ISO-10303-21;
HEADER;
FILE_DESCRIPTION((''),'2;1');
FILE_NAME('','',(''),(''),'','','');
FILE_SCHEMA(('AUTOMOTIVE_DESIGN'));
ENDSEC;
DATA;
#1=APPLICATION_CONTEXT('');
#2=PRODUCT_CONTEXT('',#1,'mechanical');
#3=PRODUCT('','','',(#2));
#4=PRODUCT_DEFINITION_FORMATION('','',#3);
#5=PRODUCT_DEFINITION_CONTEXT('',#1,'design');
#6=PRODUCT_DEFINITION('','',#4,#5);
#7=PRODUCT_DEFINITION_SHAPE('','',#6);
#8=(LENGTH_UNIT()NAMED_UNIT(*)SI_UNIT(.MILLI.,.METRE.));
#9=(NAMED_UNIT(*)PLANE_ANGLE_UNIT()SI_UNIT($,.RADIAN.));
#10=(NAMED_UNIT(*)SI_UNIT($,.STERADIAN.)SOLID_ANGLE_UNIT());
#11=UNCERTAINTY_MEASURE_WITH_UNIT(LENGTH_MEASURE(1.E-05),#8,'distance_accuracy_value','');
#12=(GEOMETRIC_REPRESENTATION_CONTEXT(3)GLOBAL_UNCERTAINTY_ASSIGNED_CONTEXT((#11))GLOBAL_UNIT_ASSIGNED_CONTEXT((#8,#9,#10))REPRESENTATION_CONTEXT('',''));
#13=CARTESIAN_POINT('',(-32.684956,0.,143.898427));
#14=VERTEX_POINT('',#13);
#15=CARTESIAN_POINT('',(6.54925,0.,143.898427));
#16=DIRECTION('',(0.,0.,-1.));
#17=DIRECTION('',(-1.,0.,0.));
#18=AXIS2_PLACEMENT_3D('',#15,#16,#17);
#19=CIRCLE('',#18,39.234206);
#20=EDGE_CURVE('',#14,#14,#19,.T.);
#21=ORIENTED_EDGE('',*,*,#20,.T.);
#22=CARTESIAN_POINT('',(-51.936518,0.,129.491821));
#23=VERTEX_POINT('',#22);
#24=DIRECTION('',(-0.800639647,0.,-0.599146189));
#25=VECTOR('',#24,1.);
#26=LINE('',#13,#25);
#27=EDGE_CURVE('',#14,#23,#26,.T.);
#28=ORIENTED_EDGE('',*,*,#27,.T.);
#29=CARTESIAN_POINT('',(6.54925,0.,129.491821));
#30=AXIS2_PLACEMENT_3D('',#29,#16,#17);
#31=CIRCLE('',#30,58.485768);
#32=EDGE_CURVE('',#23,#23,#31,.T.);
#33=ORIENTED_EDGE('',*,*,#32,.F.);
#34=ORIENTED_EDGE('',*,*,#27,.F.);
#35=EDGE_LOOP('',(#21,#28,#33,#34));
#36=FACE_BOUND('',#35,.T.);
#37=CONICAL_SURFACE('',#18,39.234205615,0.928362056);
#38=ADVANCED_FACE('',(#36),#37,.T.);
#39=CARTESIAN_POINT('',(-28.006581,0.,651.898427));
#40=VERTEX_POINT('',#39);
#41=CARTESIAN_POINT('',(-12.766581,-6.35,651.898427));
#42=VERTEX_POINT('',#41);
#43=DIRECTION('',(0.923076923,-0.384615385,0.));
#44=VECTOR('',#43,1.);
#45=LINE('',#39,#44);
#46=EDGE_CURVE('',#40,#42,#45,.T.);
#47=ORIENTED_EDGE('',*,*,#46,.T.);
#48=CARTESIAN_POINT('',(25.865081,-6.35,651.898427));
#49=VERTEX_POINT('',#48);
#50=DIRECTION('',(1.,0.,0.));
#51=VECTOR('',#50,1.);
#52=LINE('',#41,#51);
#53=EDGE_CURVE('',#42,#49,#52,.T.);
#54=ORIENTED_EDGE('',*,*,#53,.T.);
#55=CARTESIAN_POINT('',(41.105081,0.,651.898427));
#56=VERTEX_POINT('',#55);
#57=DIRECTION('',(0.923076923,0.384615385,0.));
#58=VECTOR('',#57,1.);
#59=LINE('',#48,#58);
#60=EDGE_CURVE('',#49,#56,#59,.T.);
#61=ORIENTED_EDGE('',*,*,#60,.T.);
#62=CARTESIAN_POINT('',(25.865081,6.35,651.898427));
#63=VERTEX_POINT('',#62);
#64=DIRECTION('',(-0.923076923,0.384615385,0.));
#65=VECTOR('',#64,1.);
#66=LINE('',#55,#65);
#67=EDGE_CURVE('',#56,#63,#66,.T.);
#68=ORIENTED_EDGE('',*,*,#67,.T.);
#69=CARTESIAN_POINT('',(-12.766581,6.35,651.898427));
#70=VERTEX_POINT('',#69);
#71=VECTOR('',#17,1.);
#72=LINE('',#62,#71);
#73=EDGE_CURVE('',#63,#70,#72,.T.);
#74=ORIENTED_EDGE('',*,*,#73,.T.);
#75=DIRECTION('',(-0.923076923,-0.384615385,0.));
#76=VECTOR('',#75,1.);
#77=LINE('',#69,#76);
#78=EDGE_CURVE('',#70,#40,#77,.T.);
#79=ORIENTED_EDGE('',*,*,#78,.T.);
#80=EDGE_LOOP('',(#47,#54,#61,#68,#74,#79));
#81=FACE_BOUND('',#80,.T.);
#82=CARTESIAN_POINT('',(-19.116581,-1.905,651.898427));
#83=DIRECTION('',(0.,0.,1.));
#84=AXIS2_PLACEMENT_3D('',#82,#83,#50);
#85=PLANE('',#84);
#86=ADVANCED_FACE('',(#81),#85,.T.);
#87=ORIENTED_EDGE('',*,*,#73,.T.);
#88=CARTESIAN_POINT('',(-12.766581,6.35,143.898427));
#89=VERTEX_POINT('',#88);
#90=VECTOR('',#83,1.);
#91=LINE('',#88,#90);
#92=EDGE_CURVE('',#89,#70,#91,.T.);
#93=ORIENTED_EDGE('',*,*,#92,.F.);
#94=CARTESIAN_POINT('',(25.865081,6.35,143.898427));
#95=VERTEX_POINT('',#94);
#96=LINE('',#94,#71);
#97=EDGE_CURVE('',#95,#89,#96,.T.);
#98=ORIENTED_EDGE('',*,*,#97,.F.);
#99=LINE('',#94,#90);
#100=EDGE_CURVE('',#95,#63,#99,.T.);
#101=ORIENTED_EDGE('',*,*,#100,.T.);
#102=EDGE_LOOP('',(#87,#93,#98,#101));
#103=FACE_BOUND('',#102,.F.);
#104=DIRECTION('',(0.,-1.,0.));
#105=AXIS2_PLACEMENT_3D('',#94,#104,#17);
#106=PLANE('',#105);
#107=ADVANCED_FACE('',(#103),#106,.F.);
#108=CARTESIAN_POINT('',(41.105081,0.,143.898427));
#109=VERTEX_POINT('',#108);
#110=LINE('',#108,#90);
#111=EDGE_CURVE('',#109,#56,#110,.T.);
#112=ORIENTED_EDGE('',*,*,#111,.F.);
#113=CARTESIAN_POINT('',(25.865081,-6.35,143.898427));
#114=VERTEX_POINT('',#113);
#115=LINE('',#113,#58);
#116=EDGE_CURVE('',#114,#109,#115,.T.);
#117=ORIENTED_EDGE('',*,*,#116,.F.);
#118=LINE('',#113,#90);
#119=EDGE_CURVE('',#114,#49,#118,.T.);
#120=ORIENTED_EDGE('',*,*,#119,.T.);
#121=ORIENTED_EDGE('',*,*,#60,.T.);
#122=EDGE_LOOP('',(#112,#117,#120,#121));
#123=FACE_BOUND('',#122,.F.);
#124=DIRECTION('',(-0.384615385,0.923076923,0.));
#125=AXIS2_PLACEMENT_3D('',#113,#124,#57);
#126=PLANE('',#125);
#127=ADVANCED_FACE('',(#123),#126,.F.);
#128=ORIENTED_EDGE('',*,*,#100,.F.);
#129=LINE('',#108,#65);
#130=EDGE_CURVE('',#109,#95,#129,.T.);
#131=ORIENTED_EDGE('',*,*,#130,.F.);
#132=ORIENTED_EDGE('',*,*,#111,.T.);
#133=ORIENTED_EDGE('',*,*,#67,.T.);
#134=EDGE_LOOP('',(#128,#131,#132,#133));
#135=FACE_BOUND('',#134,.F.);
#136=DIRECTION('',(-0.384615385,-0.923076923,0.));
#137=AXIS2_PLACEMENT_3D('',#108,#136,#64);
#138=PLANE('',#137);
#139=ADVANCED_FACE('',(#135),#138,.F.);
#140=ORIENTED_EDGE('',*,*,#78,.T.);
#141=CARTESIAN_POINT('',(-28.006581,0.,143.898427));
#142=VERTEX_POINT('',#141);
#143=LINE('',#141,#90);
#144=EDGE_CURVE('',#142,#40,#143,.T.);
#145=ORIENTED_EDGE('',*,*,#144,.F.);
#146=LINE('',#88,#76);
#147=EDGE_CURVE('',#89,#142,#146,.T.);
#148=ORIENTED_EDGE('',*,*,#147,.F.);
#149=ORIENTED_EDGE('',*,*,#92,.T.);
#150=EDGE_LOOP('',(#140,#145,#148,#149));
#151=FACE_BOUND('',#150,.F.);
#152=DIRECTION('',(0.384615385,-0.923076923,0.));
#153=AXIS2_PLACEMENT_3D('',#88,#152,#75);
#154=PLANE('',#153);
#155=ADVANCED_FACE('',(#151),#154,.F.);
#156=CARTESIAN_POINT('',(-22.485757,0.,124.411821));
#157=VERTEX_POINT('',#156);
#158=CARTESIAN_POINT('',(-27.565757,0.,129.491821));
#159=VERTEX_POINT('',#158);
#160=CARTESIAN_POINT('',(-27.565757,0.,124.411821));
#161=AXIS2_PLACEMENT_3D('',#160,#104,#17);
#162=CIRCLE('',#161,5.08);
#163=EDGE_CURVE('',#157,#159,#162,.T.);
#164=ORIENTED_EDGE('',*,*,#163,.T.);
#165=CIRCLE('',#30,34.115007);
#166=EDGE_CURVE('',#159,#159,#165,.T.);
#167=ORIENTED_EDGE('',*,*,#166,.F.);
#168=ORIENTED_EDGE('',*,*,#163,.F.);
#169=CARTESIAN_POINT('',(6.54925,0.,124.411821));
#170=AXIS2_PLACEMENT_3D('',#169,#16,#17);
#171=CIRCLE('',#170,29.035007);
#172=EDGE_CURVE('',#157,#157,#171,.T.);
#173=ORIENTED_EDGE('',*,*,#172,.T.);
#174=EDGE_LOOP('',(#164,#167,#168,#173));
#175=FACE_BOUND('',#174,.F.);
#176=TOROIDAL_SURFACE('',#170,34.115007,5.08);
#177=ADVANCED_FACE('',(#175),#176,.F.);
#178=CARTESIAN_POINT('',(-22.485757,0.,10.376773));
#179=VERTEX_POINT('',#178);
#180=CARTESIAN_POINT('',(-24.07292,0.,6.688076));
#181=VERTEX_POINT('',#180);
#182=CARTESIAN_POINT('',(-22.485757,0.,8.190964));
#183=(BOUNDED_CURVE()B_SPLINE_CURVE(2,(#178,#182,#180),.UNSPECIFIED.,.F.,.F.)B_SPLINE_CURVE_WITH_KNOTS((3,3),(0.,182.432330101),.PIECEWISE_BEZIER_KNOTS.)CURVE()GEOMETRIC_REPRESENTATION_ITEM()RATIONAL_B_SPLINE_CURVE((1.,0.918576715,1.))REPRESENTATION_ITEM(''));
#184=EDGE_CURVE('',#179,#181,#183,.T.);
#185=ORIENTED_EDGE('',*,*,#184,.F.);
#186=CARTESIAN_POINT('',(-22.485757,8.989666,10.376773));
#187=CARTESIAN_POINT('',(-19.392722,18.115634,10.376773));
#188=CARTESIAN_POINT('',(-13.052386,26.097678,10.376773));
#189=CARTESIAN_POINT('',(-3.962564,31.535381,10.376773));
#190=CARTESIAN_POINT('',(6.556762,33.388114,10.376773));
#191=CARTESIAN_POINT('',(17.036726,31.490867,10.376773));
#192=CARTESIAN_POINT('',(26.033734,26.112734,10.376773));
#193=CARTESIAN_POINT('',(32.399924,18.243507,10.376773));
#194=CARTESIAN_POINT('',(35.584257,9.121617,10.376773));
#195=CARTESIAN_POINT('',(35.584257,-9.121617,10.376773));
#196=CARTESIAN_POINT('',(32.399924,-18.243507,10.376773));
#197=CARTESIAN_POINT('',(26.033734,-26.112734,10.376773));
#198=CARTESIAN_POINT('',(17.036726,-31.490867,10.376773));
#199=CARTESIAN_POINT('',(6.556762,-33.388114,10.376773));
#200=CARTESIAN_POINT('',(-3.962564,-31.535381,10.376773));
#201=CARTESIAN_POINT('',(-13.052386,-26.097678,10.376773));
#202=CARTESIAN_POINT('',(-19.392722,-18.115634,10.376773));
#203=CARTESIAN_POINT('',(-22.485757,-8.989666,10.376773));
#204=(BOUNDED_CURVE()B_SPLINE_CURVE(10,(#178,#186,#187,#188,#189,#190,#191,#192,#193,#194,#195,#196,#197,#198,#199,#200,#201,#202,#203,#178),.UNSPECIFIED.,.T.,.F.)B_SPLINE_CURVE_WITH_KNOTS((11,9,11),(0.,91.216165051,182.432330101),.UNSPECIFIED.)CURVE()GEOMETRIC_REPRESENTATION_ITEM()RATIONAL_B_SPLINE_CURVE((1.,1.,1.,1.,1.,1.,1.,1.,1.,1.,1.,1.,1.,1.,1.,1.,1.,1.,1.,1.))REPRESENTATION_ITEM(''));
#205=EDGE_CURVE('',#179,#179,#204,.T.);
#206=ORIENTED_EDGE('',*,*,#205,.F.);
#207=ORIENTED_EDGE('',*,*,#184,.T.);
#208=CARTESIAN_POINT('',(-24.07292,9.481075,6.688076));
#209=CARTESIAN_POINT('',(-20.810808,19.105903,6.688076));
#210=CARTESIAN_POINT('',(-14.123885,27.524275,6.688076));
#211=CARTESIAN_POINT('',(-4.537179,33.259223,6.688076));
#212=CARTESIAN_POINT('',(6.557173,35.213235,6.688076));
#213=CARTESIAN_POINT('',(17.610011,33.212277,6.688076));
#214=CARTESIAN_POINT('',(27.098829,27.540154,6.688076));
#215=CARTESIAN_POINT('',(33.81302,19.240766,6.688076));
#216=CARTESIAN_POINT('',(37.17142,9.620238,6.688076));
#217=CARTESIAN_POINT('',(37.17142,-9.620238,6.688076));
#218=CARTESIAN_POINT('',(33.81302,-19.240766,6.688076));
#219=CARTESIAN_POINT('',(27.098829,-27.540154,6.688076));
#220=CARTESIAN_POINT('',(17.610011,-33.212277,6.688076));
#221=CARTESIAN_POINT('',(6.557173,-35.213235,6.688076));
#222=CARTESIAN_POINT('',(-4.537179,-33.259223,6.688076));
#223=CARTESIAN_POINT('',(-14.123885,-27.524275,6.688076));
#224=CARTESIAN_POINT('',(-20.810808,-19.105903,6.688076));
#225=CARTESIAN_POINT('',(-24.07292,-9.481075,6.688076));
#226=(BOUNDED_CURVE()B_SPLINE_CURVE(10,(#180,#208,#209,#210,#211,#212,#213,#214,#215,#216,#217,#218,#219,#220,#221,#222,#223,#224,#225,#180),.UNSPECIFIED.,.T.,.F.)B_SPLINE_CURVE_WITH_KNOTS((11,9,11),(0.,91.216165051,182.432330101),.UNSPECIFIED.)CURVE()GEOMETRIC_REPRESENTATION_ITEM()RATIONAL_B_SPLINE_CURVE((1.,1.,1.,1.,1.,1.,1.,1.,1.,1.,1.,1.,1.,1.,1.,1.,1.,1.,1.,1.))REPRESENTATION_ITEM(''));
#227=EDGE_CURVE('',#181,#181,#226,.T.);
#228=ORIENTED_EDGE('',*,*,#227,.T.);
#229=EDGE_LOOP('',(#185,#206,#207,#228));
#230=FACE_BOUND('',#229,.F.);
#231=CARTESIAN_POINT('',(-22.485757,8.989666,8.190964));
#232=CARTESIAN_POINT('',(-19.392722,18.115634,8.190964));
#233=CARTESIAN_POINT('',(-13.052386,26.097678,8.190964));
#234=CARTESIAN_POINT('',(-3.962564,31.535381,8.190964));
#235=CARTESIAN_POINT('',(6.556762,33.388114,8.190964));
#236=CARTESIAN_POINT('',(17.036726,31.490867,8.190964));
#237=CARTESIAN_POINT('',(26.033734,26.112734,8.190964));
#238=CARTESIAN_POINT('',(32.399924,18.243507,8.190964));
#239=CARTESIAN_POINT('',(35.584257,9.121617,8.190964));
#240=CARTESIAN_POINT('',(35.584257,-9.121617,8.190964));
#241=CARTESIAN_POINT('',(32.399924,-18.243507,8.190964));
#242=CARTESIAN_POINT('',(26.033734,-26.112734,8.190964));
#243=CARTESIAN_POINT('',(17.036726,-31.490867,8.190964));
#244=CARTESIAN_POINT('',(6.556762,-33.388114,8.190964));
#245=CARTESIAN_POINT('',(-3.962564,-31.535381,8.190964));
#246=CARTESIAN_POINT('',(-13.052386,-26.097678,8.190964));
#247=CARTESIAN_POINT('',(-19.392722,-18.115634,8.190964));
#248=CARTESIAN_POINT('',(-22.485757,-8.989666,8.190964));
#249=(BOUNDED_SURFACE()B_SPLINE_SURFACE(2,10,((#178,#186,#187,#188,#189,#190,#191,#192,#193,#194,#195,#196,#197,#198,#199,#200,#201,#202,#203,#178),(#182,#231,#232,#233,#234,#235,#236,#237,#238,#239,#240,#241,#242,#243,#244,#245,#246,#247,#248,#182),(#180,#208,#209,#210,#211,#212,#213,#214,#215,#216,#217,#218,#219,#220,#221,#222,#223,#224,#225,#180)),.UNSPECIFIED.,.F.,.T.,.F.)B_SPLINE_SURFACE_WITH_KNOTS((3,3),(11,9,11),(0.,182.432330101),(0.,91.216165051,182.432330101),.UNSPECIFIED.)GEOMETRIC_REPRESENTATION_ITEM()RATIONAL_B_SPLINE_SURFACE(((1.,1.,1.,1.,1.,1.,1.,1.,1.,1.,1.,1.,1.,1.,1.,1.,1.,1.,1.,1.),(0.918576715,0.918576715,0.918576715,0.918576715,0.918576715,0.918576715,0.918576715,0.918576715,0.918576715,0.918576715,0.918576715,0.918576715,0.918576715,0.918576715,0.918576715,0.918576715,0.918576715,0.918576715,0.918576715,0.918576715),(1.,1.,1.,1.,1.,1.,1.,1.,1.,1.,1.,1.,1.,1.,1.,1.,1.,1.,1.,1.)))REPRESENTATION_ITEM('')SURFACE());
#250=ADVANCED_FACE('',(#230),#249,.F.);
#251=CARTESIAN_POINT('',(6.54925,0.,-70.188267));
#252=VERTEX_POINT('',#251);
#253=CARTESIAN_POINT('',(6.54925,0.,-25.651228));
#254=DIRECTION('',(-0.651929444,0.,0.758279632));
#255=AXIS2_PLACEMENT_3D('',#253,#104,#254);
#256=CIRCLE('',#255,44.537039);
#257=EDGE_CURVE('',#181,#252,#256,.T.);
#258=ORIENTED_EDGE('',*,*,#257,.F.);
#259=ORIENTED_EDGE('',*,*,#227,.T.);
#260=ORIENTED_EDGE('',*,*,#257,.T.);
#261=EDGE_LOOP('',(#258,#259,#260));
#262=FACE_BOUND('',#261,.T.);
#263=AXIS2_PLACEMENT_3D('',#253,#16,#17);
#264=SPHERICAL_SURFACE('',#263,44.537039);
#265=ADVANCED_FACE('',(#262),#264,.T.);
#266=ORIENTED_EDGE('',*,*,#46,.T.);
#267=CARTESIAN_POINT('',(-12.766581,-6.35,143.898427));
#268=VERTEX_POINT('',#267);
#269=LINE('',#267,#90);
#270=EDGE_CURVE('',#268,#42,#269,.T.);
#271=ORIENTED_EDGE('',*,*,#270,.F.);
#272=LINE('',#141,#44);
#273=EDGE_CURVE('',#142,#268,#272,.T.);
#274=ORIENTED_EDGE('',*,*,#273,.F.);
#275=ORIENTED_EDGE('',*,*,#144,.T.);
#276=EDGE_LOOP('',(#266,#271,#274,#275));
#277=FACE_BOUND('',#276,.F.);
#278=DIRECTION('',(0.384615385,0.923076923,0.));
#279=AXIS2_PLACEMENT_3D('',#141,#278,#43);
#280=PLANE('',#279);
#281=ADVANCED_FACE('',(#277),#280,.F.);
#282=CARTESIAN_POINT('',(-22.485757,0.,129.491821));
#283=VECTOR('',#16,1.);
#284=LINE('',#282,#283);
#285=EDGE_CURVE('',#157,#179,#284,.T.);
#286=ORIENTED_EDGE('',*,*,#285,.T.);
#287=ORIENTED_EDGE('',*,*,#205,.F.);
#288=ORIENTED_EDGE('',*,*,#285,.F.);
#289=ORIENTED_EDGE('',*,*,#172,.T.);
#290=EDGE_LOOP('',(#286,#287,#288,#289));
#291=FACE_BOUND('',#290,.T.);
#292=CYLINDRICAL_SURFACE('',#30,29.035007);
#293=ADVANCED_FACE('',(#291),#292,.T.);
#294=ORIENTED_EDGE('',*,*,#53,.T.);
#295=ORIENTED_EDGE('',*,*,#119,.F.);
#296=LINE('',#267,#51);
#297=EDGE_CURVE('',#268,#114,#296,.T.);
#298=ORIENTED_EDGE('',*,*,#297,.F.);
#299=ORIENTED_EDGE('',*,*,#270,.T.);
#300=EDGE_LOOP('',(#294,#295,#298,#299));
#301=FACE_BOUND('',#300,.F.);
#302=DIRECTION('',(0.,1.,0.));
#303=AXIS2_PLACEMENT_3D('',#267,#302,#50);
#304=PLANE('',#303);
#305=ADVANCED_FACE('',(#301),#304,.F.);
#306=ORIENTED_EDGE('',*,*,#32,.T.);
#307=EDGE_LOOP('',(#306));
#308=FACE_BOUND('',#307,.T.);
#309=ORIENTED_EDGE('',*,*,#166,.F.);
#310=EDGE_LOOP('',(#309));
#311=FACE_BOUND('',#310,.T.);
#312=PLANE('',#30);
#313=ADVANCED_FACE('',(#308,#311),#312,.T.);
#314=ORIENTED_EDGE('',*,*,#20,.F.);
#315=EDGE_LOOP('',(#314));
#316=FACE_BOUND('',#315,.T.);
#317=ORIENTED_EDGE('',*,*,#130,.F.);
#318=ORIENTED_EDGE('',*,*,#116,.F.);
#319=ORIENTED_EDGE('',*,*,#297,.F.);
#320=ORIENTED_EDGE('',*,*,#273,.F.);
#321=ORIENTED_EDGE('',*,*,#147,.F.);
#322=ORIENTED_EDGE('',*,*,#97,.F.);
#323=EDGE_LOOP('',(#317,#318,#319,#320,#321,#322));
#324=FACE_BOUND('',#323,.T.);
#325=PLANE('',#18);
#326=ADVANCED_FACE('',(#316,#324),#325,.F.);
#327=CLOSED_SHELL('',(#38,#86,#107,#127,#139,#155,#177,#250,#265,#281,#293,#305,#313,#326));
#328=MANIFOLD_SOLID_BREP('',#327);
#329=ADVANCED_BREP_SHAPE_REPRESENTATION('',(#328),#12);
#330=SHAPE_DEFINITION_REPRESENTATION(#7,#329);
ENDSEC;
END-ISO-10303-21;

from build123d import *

# Parameters (mm, degrees)
F3_DEPTH = 508
F4_R     = 5.08


with BuildPart() as f1:
    # F0 (on Front) → F1 (revolve)
    with BuildSketch(Plane.XZ):
        with BuildLine():
            Line((-32.6849557459, 129.4918209314), (-22.4857572466, 129.4918209314))
            Line((-22.4857572466, 129.4918209314), (-22.4857572466, 8.1203018698))
            ThreePointArc((-22.4857572466, 8.1203018698), (-35.2097717712, -41.1345076384), (6.5492498688, -70.1882667236))
            Line((6.5492498688, -70.1882667236), (6.5492498688, -25.6512276828))
            Line((6.5492498688, -25.6512276828), (6.5492498688, 129.4918209314))
            Line((6.5492498688, 129.4918209314), (6.5492498688, 143.8984274864))
            Line((6.5492498688, 143.8984274864), (-32.6849557459, 143.8984274864))
            Line((-32.6849557459, 143.8984274864), (-51.9365184009, 129.4918209314))
            Line((-51.9365184009, 129.4918209314), (-32.6849557459, 129.4918209314))
        make_face()
    revolve(axis=Axis((6.5492498688, 0, 51.9202966243), (0, 0, -1)))

    # F2 (on face) → F3 (join)
    with BuildSketch(Plane.XY.offset(143.8984274864)):
        Polygon((-12.7665811263, -6.35), (-12.7665811263, 0), (-28.0065811263, 0), align=None)
        Polygon((-12.7665811263, 0), (-12.7665811263, 6.35), (-28.0065811263, 0), align=None)
        Polygon((41.105080864, 0), (25.865080864, 0), (25.865080864, -6.35), align=None)
        Polygon((41.105080864, 0), (25.865080864, 6.35), (25.865080864, 0), align=None)
        Polygon((25.865080864, 0), (25.865080864, 6.35), (-12.7665811263, 6.35), (-12.7665811263, 0), (-12.7665811263, -6.35), (25.865080864, -6.35), align=None)
    extrude(amount=F3_DEPTH)

    # F4
    f4_edges = [f1.edges().sort_by_distance(p)[0] for p in [
        (35.584257, 0, 129.491821),
        (35.584257, 0, 8.120302),
    ]]
    fillet(f4_edges, radius=F4_R)


solid = f1.part
